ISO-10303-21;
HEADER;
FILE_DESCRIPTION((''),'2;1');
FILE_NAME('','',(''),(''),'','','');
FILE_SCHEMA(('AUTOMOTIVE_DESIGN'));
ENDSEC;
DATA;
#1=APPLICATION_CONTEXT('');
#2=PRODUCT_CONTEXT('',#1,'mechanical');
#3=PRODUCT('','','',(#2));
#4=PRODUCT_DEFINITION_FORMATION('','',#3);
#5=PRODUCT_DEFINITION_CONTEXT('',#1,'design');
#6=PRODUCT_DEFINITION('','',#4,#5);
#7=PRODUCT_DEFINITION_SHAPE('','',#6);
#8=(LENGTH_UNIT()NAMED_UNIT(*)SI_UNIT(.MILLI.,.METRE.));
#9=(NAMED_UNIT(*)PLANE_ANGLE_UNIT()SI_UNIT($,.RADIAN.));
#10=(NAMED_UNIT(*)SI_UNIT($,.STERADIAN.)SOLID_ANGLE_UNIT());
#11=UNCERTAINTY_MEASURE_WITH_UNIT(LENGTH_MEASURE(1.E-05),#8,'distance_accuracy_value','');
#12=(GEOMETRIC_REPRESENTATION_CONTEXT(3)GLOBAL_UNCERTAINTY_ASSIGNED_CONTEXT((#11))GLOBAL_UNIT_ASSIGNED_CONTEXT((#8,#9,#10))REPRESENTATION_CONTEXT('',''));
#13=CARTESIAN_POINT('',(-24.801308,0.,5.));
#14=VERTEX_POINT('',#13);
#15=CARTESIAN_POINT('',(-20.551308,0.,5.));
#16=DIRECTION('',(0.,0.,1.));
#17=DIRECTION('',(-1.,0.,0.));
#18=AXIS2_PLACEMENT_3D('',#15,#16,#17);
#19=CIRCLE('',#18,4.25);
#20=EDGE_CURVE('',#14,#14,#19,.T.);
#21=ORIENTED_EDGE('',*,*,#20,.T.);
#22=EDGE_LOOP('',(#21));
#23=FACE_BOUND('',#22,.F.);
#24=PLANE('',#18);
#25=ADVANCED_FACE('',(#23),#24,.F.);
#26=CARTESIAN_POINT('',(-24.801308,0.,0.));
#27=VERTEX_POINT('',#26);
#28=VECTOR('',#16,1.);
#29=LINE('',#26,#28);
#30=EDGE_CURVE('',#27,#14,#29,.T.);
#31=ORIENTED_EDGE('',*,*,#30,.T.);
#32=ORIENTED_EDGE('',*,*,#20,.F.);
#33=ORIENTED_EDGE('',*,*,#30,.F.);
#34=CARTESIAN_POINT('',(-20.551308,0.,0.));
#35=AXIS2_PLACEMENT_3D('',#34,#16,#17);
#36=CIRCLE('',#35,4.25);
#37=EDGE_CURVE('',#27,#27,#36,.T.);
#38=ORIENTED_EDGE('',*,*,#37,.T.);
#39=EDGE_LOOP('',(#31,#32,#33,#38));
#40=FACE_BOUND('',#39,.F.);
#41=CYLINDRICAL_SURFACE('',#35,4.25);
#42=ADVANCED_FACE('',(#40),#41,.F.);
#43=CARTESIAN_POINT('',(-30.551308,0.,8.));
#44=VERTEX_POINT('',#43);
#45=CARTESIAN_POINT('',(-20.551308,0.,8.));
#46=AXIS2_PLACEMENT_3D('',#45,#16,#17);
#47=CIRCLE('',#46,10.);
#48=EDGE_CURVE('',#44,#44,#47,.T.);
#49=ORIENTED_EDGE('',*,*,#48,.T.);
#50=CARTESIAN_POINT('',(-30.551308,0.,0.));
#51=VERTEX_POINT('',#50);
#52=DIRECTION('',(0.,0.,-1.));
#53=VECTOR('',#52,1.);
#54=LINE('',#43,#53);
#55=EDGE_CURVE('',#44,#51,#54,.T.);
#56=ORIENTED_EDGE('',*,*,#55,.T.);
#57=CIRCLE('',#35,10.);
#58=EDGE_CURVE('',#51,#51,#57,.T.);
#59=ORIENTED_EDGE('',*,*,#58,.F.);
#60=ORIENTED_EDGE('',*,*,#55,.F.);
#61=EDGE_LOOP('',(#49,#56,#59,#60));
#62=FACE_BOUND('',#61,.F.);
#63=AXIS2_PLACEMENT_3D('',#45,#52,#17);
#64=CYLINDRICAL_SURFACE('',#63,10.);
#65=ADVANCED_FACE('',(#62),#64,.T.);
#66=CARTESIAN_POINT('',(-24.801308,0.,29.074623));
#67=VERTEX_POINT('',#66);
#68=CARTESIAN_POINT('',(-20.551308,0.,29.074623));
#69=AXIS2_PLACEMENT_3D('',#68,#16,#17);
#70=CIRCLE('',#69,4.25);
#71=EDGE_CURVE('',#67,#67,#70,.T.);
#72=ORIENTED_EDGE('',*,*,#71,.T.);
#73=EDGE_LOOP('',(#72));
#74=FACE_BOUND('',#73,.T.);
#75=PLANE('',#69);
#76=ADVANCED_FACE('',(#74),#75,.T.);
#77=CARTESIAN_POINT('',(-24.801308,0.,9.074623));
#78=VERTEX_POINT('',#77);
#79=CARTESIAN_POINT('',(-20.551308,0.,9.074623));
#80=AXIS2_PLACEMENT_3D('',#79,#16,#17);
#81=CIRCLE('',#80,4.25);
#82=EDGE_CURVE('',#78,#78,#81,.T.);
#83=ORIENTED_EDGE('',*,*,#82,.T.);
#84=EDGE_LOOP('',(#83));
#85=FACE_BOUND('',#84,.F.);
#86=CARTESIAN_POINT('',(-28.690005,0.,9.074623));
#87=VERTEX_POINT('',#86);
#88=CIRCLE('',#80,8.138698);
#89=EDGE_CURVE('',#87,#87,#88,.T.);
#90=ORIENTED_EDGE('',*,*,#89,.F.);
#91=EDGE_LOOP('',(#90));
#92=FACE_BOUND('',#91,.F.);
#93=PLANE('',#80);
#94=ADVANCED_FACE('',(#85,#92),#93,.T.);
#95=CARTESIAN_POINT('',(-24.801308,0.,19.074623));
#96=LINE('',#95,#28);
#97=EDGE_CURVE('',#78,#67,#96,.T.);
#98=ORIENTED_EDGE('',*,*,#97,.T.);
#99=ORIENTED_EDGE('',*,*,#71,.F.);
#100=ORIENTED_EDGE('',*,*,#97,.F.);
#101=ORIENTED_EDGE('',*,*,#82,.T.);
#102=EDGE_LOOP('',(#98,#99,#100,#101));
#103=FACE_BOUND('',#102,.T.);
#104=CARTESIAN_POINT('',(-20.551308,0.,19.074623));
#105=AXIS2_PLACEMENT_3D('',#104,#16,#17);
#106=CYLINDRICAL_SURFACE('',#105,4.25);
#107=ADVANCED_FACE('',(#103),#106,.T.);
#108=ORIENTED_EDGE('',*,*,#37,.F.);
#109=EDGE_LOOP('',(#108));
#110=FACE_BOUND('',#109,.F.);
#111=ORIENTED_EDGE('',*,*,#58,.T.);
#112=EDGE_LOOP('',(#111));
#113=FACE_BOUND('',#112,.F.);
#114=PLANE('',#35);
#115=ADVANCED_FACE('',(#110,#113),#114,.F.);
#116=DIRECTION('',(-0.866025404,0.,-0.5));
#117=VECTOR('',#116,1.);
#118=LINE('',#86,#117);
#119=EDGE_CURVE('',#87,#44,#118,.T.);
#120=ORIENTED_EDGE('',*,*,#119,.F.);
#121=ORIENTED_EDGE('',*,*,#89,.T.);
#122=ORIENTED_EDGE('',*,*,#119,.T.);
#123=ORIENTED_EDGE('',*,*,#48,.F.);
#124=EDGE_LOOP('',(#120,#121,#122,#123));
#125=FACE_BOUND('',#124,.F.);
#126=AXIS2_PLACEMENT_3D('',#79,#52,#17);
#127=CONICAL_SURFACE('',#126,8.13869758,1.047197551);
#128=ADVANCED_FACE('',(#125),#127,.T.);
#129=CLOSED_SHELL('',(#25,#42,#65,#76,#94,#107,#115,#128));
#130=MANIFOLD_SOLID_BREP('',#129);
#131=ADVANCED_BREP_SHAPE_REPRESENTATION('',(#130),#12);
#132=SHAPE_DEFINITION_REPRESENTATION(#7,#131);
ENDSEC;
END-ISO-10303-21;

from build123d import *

# Parameters (mm, degrees)
F0_W   = 4.25
F0_H   = 20
F0_H_2 = 3
F0_H_3 = 1.0746234533


with BuildPart() as f1:
    # F0 (on Front) → F1 (revolve)
    with BuildSketch(Plane.XZ):
        with Locations((-22.6763077103, 19.0746234533)):
            Rectangle(F0_W, F0_H)
        Polygon((-24.8013077103, 8), (-30.5513077103, 8), (-30.5513077103, 0), (-24.8013077103, 0), (-24.8013077103, 5), align=None)
        Polygon((-28.6900052902, 9.0746234533), (-30.5513077103, 8), (-24.8013077103, 8), (-24.8013077103, 9.0746234533), align=None)
        with Locations((-22.6763077103, 6.5)):
            Rectangle(F0_W, F0_H_2)
        with Locations((-22.6763077103, 8.5373117267)):
            Rectangle(F0_W, F0_H_3)
    revolve(axis=Axis((-20.5513077103, 0, 19.0746234533), (0, 0, 1)))


solid = f1.part
